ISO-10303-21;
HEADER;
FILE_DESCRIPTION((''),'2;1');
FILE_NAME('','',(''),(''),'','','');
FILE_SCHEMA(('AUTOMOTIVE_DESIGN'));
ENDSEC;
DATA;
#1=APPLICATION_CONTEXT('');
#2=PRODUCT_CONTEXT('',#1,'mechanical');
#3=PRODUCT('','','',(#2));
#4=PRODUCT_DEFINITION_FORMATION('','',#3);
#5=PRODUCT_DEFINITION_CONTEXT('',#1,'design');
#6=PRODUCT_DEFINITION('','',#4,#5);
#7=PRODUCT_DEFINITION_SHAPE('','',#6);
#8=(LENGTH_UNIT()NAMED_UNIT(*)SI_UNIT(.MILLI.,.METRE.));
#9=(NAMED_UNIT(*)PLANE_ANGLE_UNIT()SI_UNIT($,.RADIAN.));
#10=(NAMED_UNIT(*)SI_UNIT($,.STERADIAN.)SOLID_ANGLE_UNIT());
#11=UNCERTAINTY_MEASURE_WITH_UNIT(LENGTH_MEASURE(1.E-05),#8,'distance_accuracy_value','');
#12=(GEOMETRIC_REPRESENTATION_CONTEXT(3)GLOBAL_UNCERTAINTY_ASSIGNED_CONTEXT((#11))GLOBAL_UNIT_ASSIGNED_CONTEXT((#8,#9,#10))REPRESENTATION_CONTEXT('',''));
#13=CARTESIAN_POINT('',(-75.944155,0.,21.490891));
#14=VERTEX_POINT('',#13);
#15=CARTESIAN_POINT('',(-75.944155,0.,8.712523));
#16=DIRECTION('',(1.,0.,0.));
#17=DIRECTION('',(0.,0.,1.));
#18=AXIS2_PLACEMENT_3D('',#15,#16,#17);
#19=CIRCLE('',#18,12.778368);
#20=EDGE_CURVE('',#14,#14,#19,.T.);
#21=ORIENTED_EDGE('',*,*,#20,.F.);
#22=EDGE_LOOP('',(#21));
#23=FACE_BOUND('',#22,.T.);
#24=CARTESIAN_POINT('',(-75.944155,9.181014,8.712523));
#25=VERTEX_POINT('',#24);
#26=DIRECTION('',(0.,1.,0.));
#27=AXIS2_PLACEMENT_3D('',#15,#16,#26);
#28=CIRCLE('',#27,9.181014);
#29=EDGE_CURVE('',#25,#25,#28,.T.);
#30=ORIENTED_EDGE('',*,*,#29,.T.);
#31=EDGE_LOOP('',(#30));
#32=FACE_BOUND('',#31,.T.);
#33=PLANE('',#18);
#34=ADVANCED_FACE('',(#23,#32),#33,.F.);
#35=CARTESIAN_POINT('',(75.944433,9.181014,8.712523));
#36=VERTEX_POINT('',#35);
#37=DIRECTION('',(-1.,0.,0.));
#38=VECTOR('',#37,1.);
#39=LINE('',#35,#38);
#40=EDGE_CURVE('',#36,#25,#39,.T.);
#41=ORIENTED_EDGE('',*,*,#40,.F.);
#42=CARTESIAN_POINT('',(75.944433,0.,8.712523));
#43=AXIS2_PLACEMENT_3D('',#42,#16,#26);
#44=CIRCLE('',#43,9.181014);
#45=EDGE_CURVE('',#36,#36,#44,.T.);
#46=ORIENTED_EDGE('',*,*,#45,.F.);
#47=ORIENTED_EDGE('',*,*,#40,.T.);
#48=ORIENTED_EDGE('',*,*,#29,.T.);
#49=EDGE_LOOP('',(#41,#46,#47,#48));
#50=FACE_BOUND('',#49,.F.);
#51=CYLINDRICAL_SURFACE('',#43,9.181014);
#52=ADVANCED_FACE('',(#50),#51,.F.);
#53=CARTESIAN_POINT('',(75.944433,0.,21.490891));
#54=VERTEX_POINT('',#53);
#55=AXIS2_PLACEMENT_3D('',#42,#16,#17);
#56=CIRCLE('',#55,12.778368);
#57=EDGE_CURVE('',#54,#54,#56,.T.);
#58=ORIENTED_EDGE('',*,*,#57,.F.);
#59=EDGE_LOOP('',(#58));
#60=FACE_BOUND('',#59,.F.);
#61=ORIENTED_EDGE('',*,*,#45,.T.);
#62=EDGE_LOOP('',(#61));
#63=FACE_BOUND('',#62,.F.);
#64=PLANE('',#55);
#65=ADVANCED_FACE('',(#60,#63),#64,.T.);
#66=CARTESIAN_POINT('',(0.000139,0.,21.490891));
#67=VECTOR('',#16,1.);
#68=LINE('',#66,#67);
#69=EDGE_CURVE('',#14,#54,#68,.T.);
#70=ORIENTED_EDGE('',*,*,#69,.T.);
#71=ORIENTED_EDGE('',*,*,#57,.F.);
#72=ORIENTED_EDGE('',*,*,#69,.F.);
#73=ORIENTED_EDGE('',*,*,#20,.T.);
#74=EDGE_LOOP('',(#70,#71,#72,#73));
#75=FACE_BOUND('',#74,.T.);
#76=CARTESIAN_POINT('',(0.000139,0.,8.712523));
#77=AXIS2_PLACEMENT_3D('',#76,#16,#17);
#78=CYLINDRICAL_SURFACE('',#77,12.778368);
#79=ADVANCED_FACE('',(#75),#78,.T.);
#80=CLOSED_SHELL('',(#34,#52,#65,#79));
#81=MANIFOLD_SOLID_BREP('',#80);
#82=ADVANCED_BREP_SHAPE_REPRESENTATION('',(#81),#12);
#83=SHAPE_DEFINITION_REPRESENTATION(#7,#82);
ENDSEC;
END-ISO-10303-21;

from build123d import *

# Parameters (mm, degrees)
F0_W     = 151.888588
F0_H     = 12.778368
F2_R     = 9.181014
F3_DEPTH = 162.814


with BuildPart() as f1:
    # F0 (on Front) → F1 (revolve)
    with BuildSketch(Plane.XZ):
        with Locations((0.000139, 15.101707)):
            Rectangle(F0_W, F0_H)
    revolve(axis=Axis((0.000139, 0, 8.712523), (1, 0, 0)))

    # F2 (on face) → F3 (cut)
    with BuildSketch(Plane.YZ.offset(75.944433)):
        with Locations((0, 8.712523)):
            Circle(F2_R)
    extrude(amount=-F3_DEPTH, mode=Mode.SUBTRACT)


solid = f1.part
